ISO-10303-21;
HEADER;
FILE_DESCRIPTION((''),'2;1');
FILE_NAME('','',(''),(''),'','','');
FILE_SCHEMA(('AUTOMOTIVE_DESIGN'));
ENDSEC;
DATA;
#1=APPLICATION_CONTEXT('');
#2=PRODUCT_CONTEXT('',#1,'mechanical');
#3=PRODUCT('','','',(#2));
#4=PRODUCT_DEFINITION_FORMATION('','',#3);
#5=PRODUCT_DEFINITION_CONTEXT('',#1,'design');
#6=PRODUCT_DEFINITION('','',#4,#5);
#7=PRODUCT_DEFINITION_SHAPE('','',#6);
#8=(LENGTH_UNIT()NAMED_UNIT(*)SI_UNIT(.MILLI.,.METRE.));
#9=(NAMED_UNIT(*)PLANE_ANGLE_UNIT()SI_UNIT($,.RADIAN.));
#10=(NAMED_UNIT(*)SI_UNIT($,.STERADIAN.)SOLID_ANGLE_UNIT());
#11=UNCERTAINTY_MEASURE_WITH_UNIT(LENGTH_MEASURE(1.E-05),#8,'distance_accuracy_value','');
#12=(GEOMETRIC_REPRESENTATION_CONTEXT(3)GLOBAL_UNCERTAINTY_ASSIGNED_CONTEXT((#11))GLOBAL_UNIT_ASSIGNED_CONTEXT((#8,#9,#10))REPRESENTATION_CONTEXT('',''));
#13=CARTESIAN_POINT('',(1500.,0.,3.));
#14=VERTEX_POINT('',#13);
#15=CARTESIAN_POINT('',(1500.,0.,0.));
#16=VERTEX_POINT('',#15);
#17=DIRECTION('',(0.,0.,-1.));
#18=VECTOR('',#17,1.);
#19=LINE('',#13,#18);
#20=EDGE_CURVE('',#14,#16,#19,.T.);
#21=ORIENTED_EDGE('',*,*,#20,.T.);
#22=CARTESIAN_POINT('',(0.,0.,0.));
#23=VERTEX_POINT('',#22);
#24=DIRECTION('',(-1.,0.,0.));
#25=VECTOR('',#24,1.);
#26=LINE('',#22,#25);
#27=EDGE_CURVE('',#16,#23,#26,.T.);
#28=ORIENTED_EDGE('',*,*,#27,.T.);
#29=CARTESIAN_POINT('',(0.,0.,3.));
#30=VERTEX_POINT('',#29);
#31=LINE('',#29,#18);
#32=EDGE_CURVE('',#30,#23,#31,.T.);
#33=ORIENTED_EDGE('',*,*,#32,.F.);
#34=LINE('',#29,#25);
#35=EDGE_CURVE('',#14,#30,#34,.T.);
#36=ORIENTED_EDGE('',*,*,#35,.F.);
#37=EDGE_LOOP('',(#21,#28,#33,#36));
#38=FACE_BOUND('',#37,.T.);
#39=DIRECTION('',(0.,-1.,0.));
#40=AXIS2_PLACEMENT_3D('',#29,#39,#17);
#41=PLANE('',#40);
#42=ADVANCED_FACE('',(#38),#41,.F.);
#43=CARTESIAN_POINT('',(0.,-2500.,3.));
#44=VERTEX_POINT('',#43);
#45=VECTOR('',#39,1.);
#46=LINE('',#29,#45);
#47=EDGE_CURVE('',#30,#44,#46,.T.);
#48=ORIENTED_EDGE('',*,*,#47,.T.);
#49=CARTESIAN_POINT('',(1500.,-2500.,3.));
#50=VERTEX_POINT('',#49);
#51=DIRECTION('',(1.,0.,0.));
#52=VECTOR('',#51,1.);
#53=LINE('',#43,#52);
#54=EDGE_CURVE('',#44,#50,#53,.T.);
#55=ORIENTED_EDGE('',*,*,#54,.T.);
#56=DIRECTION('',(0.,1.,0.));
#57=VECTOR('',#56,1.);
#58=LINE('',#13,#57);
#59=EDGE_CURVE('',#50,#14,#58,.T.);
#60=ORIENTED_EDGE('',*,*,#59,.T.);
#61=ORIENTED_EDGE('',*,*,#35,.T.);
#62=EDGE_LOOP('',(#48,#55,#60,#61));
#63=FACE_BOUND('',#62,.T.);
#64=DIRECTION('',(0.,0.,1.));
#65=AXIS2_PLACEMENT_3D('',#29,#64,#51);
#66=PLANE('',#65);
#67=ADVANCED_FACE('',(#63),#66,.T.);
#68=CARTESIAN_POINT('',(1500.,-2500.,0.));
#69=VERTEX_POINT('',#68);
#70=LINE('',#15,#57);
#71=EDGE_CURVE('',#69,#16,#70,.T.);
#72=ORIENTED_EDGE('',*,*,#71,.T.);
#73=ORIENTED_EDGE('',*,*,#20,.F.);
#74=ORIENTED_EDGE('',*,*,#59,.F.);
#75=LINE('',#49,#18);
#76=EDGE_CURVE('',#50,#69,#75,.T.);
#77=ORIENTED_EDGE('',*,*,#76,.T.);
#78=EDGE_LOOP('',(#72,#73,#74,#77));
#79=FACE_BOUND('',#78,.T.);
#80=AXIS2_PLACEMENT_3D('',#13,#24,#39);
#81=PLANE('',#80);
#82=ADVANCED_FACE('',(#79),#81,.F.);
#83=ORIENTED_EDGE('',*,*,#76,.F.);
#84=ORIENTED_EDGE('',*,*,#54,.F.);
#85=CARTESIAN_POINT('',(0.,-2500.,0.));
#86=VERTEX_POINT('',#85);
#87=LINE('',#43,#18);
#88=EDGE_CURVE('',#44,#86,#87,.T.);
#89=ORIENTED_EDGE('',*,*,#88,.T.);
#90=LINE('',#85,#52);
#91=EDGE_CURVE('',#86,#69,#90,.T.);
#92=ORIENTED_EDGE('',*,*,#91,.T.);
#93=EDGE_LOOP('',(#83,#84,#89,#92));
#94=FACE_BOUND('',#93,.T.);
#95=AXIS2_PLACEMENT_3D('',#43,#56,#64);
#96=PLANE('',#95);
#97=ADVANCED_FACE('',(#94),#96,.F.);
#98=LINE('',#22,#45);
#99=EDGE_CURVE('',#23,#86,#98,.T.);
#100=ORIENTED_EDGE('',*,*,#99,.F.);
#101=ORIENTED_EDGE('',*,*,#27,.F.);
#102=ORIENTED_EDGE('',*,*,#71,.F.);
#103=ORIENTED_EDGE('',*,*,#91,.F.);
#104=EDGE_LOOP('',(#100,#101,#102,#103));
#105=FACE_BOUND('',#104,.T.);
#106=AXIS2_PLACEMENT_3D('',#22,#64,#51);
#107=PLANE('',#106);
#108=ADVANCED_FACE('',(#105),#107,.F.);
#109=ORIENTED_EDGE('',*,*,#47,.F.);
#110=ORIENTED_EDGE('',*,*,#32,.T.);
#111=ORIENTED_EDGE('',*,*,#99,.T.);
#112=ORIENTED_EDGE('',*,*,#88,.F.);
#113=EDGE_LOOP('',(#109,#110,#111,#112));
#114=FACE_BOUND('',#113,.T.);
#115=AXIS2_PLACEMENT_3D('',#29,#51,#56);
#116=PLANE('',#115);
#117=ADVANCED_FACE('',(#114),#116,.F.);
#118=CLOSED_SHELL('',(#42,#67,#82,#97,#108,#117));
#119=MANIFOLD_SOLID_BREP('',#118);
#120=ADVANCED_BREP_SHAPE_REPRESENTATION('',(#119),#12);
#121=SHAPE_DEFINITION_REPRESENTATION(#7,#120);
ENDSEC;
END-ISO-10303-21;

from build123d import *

# Parameters (mm, degrees)
SKETCH_1_W      = 1500
SKETCH_1_H      = 2500
EXTRUDE_1_DEPTH = 3


with BuildPart() as part:
    # 草圖1 → 填料-伸長1 (new body)
    with BuildSketch(Plane.XY):
        with Locations((750, -1250)):
            Rectangle(SKETCH_1_W, SKETCH_1_H)
    extrude(amount=EXTRUDE_1_DEPTH)


solid = part.part
